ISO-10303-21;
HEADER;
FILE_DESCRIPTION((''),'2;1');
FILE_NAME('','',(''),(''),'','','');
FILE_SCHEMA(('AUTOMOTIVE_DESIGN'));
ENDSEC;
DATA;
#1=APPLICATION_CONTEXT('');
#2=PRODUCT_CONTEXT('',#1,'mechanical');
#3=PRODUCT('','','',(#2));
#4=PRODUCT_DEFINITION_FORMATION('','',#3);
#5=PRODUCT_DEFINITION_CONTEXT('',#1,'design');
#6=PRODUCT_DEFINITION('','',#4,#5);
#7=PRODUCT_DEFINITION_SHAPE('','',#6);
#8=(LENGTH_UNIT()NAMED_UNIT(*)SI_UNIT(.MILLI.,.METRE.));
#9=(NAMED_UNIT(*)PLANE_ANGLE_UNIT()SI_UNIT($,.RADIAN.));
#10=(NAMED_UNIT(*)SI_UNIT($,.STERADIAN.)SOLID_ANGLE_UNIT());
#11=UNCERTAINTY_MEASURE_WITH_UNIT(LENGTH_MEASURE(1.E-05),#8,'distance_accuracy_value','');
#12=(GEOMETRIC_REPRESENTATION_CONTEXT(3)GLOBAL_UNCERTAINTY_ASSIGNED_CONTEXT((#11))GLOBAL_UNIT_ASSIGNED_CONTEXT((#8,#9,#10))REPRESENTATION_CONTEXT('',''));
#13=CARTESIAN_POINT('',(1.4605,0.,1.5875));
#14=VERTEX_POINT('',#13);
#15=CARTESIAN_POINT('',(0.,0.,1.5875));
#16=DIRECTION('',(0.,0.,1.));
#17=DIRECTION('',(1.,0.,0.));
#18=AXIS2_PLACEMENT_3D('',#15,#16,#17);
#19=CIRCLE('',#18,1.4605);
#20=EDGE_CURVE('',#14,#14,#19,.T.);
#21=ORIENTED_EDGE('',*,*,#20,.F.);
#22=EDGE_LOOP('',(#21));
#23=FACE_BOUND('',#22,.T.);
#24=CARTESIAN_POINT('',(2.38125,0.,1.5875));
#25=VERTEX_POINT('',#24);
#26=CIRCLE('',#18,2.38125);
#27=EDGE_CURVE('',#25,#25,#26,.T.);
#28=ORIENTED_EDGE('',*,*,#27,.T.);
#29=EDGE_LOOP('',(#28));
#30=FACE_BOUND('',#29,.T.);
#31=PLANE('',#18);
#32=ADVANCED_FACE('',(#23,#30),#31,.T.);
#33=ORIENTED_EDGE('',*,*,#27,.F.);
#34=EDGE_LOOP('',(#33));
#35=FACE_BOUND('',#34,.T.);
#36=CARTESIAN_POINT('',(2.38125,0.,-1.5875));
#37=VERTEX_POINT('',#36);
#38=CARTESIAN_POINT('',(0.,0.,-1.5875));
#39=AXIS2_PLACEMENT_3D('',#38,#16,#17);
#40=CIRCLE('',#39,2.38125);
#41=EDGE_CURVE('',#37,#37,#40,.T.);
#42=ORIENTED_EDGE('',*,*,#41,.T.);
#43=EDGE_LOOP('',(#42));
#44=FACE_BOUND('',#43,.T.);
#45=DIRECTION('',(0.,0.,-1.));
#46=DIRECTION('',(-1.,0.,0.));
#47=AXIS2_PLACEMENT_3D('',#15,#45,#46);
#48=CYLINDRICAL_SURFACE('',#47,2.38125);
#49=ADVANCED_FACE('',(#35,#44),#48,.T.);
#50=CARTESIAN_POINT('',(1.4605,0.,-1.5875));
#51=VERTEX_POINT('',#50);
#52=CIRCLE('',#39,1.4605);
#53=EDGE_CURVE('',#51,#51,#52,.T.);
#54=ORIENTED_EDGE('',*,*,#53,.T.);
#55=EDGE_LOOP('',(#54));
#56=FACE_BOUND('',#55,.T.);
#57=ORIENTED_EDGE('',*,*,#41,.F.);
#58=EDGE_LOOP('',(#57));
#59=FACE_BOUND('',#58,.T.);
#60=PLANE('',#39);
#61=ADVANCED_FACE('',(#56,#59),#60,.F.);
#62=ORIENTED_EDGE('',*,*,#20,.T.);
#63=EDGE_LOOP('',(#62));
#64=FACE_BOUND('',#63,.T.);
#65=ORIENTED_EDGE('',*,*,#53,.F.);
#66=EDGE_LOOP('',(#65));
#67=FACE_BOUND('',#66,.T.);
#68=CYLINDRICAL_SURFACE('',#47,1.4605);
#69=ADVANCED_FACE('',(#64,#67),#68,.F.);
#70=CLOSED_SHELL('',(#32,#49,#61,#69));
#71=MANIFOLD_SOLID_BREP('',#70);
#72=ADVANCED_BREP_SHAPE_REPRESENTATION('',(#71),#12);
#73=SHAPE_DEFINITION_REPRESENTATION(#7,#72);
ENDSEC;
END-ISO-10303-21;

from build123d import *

# Parameters (mm, degrees)
SKETCH1_R      = 2.38125
SKETCH1_R_2    = 1.4605
EXTRUDE1_DEPTH = 1.5875


with BuildPart() as part:
    # Sketch1 → Extrude1 (new body, symmetric)
    with BuildSketch(Plane.XY):
        Circle(SKETCH1_R)
        Circle(SKETCH1_R_2, mode=Mode.SUBTRACT)
    extrude(amount=EXTRUDE1_DEPTH, both=True)


solid = part.part
